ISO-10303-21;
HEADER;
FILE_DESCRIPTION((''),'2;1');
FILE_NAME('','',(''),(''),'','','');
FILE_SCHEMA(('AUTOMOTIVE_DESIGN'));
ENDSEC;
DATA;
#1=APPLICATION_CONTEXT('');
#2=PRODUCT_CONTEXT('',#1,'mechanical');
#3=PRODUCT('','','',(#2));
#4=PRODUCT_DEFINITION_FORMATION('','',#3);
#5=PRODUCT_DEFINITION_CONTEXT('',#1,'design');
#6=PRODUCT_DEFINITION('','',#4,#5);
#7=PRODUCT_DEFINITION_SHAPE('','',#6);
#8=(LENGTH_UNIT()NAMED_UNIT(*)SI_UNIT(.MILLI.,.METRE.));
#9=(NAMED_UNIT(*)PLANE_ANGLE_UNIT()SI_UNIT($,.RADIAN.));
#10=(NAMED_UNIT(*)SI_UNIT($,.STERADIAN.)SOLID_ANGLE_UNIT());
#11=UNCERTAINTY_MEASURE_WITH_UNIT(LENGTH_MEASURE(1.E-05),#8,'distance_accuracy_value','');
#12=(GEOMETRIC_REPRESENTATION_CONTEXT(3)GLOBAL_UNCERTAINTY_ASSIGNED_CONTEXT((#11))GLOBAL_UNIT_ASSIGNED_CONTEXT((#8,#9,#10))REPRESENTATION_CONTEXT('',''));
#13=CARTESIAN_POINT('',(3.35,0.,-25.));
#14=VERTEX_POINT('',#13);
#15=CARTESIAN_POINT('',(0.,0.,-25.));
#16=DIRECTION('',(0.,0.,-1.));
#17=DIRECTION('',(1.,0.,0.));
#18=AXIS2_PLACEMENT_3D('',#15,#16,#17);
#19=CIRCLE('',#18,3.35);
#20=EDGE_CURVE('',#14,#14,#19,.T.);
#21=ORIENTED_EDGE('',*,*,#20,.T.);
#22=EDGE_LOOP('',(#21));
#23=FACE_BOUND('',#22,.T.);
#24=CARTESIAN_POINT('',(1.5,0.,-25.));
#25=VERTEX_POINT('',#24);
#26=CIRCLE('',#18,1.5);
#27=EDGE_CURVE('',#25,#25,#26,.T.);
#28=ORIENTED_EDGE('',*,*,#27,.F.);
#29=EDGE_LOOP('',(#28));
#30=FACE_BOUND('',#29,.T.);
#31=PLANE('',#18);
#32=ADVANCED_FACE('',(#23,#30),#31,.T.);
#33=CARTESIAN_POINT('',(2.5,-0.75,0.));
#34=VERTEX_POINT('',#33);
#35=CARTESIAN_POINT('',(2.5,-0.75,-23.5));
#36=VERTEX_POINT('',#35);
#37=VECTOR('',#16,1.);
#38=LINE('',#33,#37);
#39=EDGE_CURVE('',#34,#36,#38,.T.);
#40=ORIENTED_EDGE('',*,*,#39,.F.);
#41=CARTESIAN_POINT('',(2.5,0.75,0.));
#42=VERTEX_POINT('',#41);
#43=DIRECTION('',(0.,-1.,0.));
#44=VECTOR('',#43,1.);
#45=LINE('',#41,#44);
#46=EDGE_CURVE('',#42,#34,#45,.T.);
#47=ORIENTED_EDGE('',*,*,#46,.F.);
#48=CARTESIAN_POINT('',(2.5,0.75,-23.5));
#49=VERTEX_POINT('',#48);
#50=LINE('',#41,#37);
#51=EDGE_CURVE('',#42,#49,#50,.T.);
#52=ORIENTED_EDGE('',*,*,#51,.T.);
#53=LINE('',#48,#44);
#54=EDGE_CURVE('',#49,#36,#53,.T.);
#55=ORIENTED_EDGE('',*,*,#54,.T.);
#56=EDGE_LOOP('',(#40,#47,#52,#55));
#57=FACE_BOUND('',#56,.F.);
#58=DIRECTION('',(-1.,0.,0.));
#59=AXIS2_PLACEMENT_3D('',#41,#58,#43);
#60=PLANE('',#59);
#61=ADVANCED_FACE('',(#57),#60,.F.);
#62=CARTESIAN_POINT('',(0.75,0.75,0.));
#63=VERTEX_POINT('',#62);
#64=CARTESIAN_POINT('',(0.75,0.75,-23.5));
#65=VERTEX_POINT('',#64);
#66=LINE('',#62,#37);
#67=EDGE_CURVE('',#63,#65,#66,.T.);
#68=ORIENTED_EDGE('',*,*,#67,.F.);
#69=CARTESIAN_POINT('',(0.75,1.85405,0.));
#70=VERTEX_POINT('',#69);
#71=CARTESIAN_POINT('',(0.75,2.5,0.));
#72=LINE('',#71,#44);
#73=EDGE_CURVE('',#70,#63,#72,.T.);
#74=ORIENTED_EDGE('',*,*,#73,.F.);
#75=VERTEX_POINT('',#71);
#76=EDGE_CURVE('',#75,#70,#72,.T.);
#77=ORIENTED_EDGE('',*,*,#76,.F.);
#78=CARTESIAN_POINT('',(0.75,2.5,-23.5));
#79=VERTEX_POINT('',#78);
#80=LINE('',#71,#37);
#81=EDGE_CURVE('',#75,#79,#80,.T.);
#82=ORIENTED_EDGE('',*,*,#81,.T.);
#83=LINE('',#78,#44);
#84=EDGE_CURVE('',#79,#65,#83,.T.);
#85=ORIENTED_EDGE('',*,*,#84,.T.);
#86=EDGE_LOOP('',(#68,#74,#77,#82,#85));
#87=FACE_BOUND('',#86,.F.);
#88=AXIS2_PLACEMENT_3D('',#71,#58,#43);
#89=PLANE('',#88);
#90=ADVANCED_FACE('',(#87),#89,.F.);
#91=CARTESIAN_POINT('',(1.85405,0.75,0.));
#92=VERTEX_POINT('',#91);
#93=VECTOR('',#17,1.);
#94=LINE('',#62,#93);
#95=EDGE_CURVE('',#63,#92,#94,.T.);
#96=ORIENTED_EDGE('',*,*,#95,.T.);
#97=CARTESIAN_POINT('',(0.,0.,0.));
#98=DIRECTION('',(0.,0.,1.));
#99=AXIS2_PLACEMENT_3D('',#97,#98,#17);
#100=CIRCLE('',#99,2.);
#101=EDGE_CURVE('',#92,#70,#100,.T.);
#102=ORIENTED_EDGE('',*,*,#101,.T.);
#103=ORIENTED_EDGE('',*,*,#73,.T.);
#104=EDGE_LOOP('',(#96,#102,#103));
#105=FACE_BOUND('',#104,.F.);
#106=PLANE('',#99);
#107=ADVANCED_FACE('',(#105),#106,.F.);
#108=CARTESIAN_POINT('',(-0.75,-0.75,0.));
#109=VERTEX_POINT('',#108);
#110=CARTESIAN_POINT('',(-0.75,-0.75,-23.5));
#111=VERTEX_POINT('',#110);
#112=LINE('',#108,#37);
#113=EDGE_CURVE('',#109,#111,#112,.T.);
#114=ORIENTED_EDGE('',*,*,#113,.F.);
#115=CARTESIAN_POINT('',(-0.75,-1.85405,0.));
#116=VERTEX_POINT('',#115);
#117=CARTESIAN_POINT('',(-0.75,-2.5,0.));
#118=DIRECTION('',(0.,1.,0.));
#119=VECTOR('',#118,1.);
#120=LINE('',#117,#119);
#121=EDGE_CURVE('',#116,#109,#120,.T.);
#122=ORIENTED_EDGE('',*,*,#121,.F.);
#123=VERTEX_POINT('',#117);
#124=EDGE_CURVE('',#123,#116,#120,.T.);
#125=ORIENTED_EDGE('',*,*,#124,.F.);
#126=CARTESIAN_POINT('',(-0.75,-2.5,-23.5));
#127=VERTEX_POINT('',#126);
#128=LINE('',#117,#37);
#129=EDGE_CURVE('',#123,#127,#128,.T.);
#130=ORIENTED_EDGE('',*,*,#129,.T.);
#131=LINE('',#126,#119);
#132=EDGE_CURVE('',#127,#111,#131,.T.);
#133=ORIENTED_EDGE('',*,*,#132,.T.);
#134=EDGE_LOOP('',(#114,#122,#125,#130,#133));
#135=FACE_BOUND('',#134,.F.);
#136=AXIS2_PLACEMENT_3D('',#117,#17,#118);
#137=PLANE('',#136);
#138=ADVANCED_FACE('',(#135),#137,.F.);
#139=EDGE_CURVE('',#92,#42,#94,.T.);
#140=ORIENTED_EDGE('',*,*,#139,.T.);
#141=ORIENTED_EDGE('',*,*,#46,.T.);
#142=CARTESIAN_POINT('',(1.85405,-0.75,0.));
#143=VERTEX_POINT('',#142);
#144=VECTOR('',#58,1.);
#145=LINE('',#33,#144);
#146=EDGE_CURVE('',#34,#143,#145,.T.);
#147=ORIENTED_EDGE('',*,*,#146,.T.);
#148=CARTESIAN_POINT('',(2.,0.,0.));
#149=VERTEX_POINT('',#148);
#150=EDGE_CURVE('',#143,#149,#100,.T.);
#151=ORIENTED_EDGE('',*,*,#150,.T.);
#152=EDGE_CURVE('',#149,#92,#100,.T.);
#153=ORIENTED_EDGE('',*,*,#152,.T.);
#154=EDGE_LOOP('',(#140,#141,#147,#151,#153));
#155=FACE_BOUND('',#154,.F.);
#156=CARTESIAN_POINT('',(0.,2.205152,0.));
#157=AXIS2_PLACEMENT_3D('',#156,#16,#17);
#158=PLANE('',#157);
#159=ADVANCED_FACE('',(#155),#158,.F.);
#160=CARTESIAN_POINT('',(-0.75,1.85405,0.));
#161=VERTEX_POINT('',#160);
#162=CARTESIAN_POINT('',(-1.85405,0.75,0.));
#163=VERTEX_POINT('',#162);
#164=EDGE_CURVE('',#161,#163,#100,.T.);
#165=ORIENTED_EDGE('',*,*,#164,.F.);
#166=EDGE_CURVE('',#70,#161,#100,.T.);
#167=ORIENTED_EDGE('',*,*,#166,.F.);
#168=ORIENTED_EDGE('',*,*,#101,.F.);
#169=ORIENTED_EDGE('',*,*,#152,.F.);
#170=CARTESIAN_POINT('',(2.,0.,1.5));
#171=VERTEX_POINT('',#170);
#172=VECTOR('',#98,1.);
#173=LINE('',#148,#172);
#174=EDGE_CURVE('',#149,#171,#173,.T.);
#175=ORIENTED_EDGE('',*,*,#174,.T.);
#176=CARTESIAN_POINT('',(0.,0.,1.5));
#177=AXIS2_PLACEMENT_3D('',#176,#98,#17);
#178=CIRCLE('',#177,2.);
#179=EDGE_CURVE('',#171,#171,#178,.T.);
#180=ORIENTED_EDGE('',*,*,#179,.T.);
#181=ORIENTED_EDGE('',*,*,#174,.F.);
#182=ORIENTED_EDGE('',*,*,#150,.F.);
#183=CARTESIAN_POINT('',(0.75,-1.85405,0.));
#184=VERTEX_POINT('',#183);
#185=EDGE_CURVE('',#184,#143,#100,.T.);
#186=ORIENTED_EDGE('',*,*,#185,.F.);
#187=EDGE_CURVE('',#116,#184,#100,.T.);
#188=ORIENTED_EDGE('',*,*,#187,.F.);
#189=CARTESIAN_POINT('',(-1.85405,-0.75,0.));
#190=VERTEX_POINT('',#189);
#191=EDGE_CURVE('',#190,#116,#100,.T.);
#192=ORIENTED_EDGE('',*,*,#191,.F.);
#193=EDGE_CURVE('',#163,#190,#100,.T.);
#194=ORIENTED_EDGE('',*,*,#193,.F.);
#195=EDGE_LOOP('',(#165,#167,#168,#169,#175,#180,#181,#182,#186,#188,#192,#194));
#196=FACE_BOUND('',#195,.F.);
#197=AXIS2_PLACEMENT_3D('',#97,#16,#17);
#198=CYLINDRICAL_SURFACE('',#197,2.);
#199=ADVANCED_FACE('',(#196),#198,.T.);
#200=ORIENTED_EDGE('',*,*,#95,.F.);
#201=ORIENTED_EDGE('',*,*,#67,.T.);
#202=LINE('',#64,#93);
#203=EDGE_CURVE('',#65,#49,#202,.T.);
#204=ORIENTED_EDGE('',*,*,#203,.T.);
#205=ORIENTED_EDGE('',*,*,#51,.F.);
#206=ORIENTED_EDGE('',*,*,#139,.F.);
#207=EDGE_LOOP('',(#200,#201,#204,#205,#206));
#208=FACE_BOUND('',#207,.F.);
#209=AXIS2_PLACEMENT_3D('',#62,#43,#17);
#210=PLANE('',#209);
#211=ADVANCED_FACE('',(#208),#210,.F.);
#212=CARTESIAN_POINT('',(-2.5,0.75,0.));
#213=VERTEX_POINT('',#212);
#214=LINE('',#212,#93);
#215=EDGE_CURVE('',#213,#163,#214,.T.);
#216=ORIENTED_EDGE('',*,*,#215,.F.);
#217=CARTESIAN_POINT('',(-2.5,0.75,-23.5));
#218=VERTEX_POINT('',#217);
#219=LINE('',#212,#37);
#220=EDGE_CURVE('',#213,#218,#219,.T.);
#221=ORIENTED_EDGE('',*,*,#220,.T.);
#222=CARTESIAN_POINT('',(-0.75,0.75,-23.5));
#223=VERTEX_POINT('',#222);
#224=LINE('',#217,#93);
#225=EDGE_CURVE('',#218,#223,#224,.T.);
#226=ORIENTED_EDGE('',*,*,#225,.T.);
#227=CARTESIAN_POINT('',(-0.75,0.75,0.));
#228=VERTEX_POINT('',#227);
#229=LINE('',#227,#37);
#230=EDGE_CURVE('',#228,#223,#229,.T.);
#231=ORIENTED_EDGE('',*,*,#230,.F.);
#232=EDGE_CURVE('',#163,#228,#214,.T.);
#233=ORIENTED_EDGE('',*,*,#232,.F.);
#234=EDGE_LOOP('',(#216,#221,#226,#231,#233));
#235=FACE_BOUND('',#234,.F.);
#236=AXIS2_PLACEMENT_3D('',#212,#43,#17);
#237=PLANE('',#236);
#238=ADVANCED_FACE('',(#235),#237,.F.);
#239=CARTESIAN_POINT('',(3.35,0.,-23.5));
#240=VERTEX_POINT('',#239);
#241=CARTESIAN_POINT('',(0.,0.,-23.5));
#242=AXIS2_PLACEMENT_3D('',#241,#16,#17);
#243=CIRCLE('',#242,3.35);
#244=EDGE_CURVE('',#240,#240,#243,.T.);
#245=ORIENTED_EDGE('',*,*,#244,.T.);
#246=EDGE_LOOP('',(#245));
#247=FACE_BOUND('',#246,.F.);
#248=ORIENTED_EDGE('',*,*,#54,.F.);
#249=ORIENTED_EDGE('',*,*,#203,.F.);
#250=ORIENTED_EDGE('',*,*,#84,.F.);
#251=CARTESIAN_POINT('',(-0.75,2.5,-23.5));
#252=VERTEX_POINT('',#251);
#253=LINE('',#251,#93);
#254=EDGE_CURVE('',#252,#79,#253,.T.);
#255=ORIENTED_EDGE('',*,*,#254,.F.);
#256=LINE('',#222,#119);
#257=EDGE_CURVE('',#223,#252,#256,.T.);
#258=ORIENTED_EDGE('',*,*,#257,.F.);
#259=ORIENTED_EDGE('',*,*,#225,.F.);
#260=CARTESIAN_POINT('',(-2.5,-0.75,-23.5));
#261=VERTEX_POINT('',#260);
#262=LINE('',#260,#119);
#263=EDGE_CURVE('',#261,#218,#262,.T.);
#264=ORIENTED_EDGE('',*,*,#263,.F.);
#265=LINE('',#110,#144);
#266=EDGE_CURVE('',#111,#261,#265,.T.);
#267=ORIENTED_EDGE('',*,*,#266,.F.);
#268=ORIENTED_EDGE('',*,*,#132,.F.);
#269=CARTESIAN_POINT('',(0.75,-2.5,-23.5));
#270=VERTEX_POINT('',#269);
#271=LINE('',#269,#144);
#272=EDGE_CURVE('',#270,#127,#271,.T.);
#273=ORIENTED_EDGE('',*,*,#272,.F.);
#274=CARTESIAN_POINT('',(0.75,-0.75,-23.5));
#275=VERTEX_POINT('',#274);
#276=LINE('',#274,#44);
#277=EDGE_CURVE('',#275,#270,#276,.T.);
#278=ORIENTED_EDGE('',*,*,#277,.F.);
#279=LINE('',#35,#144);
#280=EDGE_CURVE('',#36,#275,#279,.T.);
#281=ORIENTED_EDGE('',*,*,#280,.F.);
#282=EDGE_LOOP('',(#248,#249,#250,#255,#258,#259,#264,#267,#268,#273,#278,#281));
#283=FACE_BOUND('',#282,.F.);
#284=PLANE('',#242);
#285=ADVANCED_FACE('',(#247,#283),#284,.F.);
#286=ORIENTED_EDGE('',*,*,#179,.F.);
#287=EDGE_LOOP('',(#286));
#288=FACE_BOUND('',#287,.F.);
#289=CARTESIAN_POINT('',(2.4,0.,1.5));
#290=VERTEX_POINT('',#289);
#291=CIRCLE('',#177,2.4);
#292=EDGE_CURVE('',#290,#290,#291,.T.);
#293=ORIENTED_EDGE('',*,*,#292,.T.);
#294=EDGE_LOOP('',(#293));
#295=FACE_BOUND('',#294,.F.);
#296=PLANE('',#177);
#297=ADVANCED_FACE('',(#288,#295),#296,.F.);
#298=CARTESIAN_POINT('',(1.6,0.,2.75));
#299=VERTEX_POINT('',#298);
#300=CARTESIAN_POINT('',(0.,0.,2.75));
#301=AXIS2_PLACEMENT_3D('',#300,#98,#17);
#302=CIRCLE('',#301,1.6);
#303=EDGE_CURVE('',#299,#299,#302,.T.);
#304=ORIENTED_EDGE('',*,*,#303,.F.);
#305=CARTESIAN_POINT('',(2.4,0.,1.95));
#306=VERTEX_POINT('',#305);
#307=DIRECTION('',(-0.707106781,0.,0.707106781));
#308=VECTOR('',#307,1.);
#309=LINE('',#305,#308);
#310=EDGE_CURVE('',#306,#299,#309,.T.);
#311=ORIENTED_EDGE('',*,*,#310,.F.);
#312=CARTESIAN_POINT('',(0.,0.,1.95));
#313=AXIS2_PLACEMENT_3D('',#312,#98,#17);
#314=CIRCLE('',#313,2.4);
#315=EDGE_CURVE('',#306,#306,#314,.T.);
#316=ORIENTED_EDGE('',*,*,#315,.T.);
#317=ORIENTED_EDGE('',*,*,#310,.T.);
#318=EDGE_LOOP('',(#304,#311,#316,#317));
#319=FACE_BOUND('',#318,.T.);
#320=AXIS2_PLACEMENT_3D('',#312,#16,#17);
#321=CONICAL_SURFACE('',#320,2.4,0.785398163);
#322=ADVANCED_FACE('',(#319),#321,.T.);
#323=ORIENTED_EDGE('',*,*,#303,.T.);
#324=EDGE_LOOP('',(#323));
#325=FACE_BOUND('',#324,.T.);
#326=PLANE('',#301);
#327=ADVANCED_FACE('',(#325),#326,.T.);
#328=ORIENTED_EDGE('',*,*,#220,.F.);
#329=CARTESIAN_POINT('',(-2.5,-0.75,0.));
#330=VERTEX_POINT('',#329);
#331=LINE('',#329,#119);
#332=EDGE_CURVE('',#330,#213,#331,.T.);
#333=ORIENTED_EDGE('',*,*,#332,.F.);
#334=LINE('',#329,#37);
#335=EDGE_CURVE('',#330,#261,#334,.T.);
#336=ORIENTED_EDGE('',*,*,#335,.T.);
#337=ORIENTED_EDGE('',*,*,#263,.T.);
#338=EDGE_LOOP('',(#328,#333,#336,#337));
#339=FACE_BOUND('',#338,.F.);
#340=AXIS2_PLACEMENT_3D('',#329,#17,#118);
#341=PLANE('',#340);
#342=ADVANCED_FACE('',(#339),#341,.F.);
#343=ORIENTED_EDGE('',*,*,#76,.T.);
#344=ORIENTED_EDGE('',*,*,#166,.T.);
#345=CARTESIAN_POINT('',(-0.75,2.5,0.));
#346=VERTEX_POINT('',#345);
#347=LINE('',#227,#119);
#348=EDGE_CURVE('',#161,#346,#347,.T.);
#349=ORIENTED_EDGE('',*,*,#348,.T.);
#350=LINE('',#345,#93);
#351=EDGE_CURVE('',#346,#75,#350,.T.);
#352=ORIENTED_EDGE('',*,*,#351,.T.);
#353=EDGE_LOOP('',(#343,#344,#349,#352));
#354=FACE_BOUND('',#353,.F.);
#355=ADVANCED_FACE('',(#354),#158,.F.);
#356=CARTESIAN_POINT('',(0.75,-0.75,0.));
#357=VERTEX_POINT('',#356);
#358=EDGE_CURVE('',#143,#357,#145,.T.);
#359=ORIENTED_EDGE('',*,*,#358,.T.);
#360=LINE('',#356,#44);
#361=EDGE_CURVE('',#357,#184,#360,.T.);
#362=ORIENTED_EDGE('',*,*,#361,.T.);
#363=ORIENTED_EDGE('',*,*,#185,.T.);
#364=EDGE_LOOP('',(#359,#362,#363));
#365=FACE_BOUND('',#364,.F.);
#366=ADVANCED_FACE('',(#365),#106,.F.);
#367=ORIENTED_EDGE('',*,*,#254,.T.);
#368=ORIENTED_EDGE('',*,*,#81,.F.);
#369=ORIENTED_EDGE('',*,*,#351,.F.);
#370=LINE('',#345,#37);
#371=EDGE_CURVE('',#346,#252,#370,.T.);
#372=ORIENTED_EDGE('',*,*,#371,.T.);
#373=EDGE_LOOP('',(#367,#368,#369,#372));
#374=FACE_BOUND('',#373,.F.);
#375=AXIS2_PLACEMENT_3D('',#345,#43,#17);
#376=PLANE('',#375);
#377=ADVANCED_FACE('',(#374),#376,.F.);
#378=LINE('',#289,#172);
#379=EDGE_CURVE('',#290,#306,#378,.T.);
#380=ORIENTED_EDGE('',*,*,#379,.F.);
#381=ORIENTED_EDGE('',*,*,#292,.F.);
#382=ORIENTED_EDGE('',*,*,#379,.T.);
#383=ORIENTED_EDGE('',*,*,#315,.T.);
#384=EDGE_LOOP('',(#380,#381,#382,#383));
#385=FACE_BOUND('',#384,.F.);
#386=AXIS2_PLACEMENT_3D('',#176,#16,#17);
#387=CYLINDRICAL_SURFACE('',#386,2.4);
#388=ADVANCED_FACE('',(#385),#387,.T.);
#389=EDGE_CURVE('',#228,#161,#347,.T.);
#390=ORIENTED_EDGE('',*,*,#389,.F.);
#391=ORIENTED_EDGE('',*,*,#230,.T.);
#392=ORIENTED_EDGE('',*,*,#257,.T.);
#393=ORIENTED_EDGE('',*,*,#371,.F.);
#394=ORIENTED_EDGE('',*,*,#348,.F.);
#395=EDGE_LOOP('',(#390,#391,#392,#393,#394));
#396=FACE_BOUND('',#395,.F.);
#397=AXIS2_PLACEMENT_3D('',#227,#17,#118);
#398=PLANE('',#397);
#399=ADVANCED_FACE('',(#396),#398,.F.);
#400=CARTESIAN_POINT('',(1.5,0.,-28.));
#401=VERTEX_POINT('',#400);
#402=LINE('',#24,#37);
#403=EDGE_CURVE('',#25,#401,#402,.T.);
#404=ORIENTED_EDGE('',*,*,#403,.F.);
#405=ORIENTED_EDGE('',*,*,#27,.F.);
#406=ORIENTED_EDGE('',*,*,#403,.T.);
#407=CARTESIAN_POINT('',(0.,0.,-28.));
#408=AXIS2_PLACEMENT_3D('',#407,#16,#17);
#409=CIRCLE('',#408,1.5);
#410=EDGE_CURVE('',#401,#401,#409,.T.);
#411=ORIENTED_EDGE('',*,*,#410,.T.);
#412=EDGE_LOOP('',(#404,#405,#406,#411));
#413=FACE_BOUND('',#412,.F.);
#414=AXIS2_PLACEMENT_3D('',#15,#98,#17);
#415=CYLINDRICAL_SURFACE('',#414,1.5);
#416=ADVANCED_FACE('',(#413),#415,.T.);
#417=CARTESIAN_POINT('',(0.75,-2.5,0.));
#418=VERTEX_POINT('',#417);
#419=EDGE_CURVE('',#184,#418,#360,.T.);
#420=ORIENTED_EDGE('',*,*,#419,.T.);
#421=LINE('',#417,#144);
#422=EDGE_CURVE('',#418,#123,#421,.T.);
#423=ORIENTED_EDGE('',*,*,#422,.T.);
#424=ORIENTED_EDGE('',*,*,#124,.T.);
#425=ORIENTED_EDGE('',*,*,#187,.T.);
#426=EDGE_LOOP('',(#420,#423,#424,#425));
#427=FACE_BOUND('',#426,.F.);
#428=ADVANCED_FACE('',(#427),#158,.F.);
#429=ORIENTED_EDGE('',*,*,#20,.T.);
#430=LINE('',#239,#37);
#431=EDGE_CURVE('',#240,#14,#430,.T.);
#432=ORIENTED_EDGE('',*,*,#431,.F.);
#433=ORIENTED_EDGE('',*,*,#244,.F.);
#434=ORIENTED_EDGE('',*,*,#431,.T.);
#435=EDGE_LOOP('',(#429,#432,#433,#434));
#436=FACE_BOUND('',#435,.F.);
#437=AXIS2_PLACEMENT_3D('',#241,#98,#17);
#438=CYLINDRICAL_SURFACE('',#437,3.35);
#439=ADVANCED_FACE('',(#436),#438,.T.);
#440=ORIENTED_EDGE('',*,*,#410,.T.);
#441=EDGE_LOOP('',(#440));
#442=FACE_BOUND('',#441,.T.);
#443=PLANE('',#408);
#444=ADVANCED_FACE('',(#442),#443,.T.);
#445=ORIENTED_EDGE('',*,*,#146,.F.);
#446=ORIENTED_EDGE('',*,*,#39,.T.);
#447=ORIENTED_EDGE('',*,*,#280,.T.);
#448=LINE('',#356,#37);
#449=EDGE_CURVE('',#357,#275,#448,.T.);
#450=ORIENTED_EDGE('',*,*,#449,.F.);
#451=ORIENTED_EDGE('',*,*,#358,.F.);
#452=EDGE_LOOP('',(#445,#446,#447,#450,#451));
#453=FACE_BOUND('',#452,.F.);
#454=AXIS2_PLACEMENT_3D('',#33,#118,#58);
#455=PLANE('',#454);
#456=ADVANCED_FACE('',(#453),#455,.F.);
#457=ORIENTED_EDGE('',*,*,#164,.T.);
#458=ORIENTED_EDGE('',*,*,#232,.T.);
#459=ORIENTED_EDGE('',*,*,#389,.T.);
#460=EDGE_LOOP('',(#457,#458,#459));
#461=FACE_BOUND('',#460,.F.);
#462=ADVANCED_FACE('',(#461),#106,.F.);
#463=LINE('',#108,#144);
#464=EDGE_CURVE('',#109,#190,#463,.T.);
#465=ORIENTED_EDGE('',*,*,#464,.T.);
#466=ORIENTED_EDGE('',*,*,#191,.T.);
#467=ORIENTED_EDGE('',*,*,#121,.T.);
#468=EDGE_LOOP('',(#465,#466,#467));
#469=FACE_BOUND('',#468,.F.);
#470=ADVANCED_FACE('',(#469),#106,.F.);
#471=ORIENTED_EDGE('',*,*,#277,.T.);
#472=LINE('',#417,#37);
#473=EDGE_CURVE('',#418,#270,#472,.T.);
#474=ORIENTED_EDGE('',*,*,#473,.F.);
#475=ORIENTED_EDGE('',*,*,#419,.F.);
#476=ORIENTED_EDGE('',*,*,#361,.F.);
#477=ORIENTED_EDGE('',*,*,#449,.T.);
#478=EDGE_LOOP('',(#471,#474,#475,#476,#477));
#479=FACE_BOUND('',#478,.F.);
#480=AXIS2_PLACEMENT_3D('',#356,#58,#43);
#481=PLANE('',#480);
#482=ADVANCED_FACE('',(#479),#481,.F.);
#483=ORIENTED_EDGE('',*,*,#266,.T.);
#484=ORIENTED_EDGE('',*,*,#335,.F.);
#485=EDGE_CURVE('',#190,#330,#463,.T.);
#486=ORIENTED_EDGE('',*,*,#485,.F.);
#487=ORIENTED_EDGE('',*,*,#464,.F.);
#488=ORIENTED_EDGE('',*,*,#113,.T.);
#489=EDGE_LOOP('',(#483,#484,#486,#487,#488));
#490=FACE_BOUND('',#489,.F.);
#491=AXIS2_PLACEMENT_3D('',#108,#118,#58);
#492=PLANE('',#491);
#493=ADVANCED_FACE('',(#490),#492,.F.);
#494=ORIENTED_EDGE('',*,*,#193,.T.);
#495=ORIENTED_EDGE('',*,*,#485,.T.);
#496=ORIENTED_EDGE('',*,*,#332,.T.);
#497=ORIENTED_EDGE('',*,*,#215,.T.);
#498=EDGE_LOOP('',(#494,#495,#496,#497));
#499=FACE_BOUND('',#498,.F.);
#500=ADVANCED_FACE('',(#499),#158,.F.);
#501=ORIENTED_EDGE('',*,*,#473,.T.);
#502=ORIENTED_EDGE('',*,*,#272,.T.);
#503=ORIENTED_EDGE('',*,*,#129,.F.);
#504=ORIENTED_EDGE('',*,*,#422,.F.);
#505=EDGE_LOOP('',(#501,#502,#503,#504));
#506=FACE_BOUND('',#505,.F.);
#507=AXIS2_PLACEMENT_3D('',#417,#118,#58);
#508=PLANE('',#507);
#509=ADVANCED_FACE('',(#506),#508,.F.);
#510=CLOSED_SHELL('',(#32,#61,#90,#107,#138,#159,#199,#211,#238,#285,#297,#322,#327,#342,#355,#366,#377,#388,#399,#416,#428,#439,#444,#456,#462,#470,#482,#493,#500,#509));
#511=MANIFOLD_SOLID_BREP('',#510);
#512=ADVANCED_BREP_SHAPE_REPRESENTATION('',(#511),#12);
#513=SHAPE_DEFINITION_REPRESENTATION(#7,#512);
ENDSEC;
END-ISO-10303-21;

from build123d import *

# Parameters (mm, degrees)
F0_R      = 2
F1_DEPTH  = 1.5
F2_R      = 2.4
F2_R_2    = 2
F3_DEPTH  = 1.25
F4_SIZE   = 0.8
F6_DEPTH  = 23.5
F7_R      = 3.35
F8_DEPTH  = 1.5
F9_R      = 1.5
F10_DEPTH = 3


with BuildPart() as f1:
    # F0 (on Top) → F1 (new body)
    with BuildSketch(Plane.XY):
        Circle(F0_R)
    extrude(amount=F1_DEPTH)

    # F2 (on face) → F3 (join)
    with BuildSketch(Plane.XY.offset(1.5)):
        Circle(F2_R)
        Circle(F2_R_2, mode=Mode.SUBTRACT)
        Circle(F2_R_2)
    extrude(amount=F3_DEPTH)

    # F4
    f4_edges = [f1.edges().sort_by_distance(p)[0] for p in [
        (-2.4, 0, 2.75),
    ]]
    chamfer(f4_edges, length=F4_SIZE)

    # F5 (on face) → F6 (join)
    with BuildSketch(Plane(origin=(0, 0, 0), x_dir=(1, 0, 0), z_dir=(0, 0, -1))):
        with BuildLine():
            ThreePointArc((0.75, -1.85405), (0, -2), (-0.75, -1.85405))
            Line((-0.75, -1.85405), (-0.75, -2.5))
            Line((-0.75, -2.5), (0, -2.5))
            Line((0, -2.5), (0.75, -2.5))
            Line((0.75, -2.5), (0.75, -1.85405))
        make_face()
        with BuildLine():
            Line((-2.5, 0.75), (-2.5, 0))
            Line((-2.5, 0), (-2.5, -0.75))
            Line((-2.5, -0.75), (-1.85405, -0.75))
            ThreePointArc((-1.85405, -0.75), (-2, 0), (-1.85405, 0.75))
            Line((-1.85405, 0.75), (-2.5, 0.75))
        make_face()
        with BuildLine():
            Line((-0.75, 2.5), (-0.75, 1.85405))
            ThreePointArc((-0.75, 1.85405), (0, 2), (0.75, 1.85405))
            Line((0.75, 1.85405), (0.75, 2.5))
            Line((0.75, 2.5), (0, 2.5))
            Line((0, 2.5), (-0.75, 2.5))
        make_face()
        with BuildLine():
            ThreePointArc((2, 0), (1.963173, -0.382035), (1.85405, -0.75))
            Line((1.85405, -0.75), (2.5, -0.75))
            Line((2.5, -0.75), (2.5, 0))
            Line((2.5, 0), (2.5, 0.75))
            Line((2.5, 0.75), (1.85405, 0.75))
            ThreePointArc((1.85405, 0.75), (1.963173, 0.382035), (2, 0))
        make_face()
        with BuildLine():
            ThreePointArc((-1.85405, 0.75), (-2, 0), (-1.85405, -0.75))
            Line((-1.85405, -0.75), (-0.75, -0.75))
            Line((-0.75, -0.75), (-0.75, -1.85405))
            ThreePointArc((-0.75, -1.85405), (0, -2), (0.75, -1.85405))
            Line((0.75, -1.85405), (0.75, -0.75))
            Line((0.75, -0.75), (1.85405, -0.75))
            ThreePointArc((1.85405, -0.75), (1.963173, -0.382035), (2, 0))
            ThreePointArc((2, 0), (1.963173, 0.382035), (1.85405, 0.75))
            Line((1.85405, 0.75), (0.75, 0.75))
            Line((0.75, 0.75), (0.75, 1.85405))
            ThreePointArc((0.75, 1.85405), (0, 2), (-0.75, 1.85405))
            Line((-0.75, 1.85405), (-0.75, 0.75))
            Line((-0.75, 0.75), (-1.85405, 0.75))
        make_face()
    extrude(amount=F6_DEPTH)

    # F7 (on face) → F8 (join)
    with BuildSketch(Plane(origin=(0, 0, -23.5), x_dir=(1, 0, 0), z_dir=(0, 0, -1))):
        Circle(F7_R)
        Polygon((0.75, -2.5), (-0.75, -2.5), (-0.75, -0.75), (-2.5, -0.75), (-2.5, 0.75), (-0.75, 0.75), (-0.75, 2.5), (0.75, 2.5), (0.75, 0.75), (2.5, 0.75), (2.5, -0.75), (0.75, -0.75), align=None, mode=Mode.SUBTRACT)
        Polygon((-0.75, -0.75), (-0.75, -2.5), (0.75, -2.5), (0.75, -0.75), (2.5, -0.75), (2.5, 0.75), (0.75, 0.75), (0.75, 2.5), (-0.75, 2.5), (-0.75, 0.75), (-2.5, 0.75), (-2.5, -0.75), align=None)
    extrude(amount=F8_DEPTH)

    # F9 (on face) → F10 (join)
    with BuildSketch(Plane(origin=(0, 0, -25), x_dir=(1, 0, 0), z_dir=(0, 0, -1))):
        Circle(F9_R)
    extrude(amount=F10_DEPTH)


solid = f1.part
